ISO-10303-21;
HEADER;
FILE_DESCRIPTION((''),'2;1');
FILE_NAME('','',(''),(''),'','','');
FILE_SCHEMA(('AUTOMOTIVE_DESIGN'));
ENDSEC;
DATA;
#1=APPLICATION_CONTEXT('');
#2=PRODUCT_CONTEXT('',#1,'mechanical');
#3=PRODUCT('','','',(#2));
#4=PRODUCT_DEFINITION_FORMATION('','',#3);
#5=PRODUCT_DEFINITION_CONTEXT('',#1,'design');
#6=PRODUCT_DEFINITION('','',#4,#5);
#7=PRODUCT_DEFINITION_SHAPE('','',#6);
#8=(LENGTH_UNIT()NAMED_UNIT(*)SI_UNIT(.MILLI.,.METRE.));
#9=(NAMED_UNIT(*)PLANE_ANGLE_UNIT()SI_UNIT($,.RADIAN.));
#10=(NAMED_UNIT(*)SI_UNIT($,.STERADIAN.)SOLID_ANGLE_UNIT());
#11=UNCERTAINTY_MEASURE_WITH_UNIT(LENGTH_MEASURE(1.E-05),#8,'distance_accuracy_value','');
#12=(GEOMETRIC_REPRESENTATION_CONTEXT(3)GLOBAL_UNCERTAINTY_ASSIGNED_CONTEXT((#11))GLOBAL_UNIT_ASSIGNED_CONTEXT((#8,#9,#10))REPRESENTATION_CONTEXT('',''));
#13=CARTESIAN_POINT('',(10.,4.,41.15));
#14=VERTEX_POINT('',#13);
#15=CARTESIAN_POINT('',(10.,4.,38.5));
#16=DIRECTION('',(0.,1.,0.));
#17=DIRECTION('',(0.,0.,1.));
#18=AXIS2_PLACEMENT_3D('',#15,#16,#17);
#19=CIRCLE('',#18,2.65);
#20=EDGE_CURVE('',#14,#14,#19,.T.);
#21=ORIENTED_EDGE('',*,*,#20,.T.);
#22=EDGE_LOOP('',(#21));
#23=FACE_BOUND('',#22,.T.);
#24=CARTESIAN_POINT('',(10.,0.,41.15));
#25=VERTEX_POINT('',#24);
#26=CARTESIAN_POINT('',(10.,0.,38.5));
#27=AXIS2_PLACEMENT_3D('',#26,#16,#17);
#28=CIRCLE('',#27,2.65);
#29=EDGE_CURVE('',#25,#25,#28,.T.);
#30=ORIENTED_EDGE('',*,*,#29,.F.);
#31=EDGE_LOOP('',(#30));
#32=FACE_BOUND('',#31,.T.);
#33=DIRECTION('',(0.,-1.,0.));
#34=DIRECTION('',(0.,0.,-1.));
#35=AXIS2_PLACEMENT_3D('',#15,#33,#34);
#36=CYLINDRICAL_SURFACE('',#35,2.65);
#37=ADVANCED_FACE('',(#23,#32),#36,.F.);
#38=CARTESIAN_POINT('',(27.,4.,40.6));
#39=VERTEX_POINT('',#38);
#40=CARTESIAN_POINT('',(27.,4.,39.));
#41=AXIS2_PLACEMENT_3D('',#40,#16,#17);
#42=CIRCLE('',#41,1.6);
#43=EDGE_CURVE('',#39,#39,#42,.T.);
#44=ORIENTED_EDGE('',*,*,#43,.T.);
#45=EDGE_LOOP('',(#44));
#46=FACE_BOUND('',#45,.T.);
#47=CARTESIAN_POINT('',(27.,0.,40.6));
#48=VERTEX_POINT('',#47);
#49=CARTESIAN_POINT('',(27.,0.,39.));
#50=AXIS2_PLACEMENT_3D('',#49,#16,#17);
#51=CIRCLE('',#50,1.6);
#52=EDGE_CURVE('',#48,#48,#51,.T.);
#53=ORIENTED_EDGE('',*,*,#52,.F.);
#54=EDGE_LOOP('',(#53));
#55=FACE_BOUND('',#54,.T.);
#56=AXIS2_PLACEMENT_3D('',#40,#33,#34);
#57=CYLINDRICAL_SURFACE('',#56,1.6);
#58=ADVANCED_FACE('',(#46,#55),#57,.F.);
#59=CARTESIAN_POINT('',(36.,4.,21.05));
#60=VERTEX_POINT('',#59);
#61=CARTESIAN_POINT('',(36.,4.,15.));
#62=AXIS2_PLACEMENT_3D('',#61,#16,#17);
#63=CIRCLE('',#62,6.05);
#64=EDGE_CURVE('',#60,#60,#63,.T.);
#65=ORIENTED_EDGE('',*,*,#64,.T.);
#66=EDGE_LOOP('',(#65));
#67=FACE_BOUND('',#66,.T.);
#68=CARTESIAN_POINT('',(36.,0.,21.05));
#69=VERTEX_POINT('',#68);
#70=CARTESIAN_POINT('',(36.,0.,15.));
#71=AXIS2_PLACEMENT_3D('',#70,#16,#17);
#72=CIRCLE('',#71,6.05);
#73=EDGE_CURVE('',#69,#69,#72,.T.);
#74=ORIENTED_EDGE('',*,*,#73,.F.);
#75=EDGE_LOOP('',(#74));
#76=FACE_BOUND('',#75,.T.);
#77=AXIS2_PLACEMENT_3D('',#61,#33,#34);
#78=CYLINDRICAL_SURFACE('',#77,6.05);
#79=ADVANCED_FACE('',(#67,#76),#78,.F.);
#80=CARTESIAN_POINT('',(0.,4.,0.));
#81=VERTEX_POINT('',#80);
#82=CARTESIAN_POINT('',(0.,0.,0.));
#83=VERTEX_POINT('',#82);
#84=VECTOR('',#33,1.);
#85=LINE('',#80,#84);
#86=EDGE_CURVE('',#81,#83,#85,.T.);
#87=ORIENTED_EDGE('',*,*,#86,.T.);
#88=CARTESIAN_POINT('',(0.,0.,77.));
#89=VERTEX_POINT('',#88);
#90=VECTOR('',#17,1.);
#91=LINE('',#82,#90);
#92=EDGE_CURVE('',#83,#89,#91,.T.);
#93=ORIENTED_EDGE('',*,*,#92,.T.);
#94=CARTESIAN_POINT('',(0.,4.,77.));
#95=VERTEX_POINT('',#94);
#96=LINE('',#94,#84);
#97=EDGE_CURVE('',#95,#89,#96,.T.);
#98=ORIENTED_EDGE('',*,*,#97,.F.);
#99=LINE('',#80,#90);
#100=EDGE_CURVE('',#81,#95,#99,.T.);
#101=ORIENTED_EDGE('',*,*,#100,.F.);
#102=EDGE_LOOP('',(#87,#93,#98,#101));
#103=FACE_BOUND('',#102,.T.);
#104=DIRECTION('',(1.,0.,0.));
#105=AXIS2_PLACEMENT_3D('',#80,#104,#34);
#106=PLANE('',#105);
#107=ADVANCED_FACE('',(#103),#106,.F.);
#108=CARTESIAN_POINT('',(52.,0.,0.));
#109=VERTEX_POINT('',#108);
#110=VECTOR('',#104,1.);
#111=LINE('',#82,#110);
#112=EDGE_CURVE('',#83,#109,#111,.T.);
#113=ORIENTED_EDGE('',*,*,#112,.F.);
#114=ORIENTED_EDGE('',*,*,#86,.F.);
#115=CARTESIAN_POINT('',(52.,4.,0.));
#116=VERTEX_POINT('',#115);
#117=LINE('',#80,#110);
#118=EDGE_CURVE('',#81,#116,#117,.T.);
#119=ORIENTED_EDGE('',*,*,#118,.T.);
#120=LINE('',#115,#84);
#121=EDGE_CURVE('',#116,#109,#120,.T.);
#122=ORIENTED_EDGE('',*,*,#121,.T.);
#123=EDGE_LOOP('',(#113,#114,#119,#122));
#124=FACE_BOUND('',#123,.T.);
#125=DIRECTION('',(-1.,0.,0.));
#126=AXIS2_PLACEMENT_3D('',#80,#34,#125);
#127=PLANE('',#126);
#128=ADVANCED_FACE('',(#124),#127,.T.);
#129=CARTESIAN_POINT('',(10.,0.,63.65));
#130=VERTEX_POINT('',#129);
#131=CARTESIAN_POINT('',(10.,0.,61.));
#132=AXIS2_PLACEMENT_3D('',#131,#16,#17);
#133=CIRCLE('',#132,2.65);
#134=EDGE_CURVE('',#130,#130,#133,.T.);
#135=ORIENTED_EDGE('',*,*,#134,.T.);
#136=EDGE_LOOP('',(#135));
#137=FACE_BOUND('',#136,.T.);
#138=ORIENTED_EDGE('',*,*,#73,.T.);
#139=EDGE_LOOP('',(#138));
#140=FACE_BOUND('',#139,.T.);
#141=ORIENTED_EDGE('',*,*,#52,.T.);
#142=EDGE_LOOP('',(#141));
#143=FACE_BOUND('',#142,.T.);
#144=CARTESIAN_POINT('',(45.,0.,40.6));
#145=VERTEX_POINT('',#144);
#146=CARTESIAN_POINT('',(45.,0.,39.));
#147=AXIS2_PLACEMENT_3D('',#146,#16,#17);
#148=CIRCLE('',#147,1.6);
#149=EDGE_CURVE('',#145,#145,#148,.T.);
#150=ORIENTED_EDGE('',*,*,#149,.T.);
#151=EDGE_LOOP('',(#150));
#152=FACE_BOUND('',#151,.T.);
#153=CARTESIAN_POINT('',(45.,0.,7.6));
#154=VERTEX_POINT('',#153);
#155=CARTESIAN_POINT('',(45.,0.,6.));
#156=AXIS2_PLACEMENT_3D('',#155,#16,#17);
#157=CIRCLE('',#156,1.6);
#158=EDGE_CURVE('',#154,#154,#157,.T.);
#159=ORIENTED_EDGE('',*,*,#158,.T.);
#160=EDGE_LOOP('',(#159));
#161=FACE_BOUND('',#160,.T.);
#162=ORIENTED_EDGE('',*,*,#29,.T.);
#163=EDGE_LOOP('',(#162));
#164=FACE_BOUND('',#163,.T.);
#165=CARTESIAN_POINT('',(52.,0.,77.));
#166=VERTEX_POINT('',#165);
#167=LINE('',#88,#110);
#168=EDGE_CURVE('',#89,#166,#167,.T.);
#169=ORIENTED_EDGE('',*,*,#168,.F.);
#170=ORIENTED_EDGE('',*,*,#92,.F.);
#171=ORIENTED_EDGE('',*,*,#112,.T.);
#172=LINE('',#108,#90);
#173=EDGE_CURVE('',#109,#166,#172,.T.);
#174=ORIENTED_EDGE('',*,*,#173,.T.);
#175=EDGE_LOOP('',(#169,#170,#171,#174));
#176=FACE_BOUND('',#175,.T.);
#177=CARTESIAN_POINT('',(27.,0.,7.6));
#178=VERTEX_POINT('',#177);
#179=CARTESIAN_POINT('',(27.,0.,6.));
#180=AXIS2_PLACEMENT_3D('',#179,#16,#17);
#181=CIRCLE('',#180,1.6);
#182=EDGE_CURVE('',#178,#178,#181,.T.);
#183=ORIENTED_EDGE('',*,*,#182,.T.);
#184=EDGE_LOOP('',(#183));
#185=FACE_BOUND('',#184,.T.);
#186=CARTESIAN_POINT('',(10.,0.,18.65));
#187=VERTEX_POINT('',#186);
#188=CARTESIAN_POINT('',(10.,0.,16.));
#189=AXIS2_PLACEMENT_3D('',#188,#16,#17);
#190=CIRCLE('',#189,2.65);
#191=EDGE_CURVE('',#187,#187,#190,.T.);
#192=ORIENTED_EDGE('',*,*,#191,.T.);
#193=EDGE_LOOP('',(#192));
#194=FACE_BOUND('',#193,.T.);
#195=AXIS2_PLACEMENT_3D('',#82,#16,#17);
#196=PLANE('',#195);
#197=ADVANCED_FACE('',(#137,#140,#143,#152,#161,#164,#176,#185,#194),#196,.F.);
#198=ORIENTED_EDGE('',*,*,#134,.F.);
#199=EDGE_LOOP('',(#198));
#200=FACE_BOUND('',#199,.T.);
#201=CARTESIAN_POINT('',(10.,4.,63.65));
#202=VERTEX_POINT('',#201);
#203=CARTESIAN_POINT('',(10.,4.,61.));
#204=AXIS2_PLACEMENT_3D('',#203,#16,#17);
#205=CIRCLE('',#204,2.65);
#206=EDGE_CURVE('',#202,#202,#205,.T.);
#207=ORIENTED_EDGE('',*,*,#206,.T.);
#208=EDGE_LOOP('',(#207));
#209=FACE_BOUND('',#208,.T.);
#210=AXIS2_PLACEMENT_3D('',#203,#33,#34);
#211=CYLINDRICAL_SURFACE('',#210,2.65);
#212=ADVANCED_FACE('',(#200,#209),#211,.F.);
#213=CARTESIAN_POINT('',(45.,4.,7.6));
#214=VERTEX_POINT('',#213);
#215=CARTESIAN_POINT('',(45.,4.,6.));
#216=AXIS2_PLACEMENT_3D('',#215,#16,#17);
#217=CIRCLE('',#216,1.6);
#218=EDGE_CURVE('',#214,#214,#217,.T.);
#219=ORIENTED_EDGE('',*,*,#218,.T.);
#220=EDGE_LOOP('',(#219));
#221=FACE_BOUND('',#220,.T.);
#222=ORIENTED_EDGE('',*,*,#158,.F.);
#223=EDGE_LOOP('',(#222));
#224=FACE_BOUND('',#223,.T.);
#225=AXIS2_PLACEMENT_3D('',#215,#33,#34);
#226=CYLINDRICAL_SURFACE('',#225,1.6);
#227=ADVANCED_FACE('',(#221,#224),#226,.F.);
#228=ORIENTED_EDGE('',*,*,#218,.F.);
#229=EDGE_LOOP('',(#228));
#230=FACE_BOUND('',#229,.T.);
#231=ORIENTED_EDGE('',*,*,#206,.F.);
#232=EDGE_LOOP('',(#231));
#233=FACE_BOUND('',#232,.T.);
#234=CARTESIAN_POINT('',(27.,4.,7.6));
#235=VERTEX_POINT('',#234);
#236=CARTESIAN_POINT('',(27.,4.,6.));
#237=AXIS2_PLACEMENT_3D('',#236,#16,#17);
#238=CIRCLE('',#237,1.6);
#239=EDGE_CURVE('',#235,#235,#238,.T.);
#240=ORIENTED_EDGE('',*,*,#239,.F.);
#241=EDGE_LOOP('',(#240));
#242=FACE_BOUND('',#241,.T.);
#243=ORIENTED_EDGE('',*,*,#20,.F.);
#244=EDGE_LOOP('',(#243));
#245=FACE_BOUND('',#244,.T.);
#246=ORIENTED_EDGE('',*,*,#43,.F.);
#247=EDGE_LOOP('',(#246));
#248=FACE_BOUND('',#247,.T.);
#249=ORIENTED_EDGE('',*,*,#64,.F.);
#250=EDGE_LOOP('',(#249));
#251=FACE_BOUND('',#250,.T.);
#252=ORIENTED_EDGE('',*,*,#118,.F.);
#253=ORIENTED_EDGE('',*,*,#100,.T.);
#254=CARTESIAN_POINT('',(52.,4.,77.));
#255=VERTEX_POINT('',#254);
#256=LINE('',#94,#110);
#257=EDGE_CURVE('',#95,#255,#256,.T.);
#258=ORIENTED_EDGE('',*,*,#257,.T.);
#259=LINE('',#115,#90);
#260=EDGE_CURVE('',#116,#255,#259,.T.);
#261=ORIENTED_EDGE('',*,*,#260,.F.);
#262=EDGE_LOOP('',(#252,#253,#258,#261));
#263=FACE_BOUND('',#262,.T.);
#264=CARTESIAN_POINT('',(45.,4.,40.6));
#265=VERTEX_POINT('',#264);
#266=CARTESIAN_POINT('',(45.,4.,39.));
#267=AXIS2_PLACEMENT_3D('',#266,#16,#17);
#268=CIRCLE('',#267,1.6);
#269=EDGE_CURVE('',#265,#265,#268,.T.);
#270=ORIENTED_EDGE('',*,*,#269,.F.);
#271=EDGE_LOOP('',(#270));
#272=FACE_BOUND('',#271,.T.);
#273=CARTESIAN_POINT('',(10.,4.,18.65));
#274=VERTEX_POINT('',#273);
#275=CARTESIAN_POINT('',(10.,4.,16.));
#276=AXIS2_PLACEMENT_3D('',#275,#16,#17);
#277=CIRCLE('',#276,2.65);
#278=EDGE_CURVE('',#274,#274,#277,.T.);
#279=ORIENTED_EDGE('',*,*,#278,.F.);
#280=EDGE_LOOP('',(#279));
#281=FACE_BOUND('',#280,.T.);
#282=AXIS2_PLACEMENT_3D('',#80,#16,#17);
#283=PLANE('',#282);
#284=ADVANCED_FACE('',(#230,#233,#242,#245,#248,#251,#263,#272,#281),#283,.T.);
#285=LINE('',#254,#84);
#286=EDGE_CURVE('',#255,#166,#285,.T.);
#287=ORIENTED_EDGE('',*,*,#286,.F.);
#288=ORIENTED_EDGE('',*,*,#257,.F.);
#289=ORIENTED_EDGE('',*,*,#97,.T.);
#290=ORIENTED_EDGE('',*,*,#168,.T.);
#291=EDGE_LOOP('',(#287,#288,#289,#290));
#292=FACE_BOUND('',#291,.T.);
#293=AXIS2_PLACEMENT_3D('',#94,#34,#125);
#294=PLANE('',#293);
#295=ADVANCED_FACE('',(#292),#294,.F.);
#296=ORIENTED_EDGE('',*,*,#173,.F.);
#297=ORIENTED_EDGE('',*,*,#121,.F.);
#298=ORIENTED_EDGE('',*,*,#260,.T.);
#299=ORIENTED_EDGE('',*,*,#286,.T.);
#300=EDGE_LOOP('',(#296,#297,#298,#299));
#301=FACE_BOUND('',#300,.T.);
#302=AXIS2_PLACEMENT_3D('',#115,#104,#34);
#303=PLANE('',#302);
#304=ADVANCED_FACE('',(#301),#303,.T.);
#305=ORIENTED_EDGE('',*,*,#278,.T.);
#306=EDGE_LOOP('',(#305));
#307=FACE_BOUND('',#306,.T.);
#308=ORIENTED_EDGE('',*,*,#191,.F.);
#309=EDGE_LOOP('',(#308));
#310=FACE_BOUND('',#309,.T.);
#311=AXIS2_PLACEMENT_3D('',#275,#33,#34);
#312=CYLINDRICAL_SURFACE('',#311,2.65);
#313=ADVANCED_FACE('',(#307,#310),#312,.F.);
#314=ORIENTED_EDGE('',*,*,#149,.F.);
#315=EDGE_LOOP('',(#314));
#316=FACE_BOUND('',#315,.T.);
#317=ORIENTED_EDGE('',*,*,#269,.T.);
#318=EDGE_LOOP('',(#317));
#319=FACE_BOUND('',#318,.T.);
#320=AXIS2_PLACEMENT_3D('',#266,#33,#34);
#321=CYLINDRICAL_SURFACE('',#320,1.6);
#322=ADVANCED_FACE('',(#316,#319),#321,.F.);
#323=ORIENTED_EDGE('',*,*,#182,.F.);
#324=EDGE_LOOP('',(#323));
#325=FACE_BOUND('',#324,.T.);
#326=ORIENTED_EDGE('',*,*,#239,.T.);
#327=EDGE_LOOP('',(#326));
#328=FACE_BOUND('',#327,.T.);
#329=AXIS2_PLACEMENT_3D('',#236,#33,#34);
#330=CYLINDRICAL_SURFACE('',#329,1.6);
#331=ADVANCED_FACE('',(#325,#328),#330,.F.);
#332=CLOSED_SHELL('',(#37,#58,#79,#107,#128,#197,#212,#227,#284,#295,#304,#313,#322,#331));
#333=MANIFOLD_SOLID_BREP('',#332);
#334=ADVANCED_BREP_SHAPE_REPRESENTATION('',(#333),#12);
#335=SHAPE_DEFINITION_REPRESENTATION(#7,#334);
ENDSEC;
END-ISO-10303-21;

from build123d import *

# Parameters (mm, degrees)
SKETCH1_W           = 52
SKETCH1_H           = 77
SKETCH1_R           = 1.6
SKETCH1_R_2         = 6.05
BOSS_EXTRUDE1_DEPTH = 4


with BuildPart() as part:
    # Sketch1 → Boss-Extrude1 (new body)
    with BuildSketch(Plane(origin=(0, 0, 0), x_dir=(1, 0, 0), z_dir=(0, 1, 0))):
        with Locations((26, -38.5)):
            Rectangle(SKETCH1_W, SKETCH1_H)
        with BuildLine():
            ThreePointArc((12.65, -61), (8.12616703, -62.87383297), (10, -58.35))
            ThreePointArc((10, -58.35), (11.87383297, -59.12616703), (12.65, -61))
        make_face(mode=Mode.SUBTRACT)
        with Locations((27, -39)):
            Circle(SKETCH1_R, mode=Mode.SUBTRACT)
        with Locations((45, -39)):
            Circle(SKETCH1_R, mode=Mode.SUBTRACT)
        with BuildLine():
            ThreePointArc((10, -41.15), (7.35, -38.5), (10, -35.85))
            ThreePointArc((10, -35.85), (11.87383297, -36.62616703), (12.65, -38.5))
            ThreePointArc((12.65, -38.5), (11.87383297, -40.37383297), (10, -41.15))
        make_face(mode=Mode.SUBTRACT)
        with BuildLine():
            ThreePointArc((12.65, -16), (11.87383297, -17.87383297), (10, -18.65))
            ThreePointArc((10, -18.65), (8.12616703, -14.12616703), (12.65, -16))
        make_face(mode=Mode.SUBTRACT)
        with Locations((36, -15)):
            Circle(SKETCH1_R_2, mode=Mode.SUBTRACT)
        with Locations((27, -6)):
            Circle(SKETCH1_R, mode=Mode.SUBTRACT)
        with Locations((45, -6)):
            Circle(SKETCH1_R, mode=Mode.SUBTRACT)
    extrude(amount=BOSS_EXTRUDE1_DEPTH)


solid = part.part
